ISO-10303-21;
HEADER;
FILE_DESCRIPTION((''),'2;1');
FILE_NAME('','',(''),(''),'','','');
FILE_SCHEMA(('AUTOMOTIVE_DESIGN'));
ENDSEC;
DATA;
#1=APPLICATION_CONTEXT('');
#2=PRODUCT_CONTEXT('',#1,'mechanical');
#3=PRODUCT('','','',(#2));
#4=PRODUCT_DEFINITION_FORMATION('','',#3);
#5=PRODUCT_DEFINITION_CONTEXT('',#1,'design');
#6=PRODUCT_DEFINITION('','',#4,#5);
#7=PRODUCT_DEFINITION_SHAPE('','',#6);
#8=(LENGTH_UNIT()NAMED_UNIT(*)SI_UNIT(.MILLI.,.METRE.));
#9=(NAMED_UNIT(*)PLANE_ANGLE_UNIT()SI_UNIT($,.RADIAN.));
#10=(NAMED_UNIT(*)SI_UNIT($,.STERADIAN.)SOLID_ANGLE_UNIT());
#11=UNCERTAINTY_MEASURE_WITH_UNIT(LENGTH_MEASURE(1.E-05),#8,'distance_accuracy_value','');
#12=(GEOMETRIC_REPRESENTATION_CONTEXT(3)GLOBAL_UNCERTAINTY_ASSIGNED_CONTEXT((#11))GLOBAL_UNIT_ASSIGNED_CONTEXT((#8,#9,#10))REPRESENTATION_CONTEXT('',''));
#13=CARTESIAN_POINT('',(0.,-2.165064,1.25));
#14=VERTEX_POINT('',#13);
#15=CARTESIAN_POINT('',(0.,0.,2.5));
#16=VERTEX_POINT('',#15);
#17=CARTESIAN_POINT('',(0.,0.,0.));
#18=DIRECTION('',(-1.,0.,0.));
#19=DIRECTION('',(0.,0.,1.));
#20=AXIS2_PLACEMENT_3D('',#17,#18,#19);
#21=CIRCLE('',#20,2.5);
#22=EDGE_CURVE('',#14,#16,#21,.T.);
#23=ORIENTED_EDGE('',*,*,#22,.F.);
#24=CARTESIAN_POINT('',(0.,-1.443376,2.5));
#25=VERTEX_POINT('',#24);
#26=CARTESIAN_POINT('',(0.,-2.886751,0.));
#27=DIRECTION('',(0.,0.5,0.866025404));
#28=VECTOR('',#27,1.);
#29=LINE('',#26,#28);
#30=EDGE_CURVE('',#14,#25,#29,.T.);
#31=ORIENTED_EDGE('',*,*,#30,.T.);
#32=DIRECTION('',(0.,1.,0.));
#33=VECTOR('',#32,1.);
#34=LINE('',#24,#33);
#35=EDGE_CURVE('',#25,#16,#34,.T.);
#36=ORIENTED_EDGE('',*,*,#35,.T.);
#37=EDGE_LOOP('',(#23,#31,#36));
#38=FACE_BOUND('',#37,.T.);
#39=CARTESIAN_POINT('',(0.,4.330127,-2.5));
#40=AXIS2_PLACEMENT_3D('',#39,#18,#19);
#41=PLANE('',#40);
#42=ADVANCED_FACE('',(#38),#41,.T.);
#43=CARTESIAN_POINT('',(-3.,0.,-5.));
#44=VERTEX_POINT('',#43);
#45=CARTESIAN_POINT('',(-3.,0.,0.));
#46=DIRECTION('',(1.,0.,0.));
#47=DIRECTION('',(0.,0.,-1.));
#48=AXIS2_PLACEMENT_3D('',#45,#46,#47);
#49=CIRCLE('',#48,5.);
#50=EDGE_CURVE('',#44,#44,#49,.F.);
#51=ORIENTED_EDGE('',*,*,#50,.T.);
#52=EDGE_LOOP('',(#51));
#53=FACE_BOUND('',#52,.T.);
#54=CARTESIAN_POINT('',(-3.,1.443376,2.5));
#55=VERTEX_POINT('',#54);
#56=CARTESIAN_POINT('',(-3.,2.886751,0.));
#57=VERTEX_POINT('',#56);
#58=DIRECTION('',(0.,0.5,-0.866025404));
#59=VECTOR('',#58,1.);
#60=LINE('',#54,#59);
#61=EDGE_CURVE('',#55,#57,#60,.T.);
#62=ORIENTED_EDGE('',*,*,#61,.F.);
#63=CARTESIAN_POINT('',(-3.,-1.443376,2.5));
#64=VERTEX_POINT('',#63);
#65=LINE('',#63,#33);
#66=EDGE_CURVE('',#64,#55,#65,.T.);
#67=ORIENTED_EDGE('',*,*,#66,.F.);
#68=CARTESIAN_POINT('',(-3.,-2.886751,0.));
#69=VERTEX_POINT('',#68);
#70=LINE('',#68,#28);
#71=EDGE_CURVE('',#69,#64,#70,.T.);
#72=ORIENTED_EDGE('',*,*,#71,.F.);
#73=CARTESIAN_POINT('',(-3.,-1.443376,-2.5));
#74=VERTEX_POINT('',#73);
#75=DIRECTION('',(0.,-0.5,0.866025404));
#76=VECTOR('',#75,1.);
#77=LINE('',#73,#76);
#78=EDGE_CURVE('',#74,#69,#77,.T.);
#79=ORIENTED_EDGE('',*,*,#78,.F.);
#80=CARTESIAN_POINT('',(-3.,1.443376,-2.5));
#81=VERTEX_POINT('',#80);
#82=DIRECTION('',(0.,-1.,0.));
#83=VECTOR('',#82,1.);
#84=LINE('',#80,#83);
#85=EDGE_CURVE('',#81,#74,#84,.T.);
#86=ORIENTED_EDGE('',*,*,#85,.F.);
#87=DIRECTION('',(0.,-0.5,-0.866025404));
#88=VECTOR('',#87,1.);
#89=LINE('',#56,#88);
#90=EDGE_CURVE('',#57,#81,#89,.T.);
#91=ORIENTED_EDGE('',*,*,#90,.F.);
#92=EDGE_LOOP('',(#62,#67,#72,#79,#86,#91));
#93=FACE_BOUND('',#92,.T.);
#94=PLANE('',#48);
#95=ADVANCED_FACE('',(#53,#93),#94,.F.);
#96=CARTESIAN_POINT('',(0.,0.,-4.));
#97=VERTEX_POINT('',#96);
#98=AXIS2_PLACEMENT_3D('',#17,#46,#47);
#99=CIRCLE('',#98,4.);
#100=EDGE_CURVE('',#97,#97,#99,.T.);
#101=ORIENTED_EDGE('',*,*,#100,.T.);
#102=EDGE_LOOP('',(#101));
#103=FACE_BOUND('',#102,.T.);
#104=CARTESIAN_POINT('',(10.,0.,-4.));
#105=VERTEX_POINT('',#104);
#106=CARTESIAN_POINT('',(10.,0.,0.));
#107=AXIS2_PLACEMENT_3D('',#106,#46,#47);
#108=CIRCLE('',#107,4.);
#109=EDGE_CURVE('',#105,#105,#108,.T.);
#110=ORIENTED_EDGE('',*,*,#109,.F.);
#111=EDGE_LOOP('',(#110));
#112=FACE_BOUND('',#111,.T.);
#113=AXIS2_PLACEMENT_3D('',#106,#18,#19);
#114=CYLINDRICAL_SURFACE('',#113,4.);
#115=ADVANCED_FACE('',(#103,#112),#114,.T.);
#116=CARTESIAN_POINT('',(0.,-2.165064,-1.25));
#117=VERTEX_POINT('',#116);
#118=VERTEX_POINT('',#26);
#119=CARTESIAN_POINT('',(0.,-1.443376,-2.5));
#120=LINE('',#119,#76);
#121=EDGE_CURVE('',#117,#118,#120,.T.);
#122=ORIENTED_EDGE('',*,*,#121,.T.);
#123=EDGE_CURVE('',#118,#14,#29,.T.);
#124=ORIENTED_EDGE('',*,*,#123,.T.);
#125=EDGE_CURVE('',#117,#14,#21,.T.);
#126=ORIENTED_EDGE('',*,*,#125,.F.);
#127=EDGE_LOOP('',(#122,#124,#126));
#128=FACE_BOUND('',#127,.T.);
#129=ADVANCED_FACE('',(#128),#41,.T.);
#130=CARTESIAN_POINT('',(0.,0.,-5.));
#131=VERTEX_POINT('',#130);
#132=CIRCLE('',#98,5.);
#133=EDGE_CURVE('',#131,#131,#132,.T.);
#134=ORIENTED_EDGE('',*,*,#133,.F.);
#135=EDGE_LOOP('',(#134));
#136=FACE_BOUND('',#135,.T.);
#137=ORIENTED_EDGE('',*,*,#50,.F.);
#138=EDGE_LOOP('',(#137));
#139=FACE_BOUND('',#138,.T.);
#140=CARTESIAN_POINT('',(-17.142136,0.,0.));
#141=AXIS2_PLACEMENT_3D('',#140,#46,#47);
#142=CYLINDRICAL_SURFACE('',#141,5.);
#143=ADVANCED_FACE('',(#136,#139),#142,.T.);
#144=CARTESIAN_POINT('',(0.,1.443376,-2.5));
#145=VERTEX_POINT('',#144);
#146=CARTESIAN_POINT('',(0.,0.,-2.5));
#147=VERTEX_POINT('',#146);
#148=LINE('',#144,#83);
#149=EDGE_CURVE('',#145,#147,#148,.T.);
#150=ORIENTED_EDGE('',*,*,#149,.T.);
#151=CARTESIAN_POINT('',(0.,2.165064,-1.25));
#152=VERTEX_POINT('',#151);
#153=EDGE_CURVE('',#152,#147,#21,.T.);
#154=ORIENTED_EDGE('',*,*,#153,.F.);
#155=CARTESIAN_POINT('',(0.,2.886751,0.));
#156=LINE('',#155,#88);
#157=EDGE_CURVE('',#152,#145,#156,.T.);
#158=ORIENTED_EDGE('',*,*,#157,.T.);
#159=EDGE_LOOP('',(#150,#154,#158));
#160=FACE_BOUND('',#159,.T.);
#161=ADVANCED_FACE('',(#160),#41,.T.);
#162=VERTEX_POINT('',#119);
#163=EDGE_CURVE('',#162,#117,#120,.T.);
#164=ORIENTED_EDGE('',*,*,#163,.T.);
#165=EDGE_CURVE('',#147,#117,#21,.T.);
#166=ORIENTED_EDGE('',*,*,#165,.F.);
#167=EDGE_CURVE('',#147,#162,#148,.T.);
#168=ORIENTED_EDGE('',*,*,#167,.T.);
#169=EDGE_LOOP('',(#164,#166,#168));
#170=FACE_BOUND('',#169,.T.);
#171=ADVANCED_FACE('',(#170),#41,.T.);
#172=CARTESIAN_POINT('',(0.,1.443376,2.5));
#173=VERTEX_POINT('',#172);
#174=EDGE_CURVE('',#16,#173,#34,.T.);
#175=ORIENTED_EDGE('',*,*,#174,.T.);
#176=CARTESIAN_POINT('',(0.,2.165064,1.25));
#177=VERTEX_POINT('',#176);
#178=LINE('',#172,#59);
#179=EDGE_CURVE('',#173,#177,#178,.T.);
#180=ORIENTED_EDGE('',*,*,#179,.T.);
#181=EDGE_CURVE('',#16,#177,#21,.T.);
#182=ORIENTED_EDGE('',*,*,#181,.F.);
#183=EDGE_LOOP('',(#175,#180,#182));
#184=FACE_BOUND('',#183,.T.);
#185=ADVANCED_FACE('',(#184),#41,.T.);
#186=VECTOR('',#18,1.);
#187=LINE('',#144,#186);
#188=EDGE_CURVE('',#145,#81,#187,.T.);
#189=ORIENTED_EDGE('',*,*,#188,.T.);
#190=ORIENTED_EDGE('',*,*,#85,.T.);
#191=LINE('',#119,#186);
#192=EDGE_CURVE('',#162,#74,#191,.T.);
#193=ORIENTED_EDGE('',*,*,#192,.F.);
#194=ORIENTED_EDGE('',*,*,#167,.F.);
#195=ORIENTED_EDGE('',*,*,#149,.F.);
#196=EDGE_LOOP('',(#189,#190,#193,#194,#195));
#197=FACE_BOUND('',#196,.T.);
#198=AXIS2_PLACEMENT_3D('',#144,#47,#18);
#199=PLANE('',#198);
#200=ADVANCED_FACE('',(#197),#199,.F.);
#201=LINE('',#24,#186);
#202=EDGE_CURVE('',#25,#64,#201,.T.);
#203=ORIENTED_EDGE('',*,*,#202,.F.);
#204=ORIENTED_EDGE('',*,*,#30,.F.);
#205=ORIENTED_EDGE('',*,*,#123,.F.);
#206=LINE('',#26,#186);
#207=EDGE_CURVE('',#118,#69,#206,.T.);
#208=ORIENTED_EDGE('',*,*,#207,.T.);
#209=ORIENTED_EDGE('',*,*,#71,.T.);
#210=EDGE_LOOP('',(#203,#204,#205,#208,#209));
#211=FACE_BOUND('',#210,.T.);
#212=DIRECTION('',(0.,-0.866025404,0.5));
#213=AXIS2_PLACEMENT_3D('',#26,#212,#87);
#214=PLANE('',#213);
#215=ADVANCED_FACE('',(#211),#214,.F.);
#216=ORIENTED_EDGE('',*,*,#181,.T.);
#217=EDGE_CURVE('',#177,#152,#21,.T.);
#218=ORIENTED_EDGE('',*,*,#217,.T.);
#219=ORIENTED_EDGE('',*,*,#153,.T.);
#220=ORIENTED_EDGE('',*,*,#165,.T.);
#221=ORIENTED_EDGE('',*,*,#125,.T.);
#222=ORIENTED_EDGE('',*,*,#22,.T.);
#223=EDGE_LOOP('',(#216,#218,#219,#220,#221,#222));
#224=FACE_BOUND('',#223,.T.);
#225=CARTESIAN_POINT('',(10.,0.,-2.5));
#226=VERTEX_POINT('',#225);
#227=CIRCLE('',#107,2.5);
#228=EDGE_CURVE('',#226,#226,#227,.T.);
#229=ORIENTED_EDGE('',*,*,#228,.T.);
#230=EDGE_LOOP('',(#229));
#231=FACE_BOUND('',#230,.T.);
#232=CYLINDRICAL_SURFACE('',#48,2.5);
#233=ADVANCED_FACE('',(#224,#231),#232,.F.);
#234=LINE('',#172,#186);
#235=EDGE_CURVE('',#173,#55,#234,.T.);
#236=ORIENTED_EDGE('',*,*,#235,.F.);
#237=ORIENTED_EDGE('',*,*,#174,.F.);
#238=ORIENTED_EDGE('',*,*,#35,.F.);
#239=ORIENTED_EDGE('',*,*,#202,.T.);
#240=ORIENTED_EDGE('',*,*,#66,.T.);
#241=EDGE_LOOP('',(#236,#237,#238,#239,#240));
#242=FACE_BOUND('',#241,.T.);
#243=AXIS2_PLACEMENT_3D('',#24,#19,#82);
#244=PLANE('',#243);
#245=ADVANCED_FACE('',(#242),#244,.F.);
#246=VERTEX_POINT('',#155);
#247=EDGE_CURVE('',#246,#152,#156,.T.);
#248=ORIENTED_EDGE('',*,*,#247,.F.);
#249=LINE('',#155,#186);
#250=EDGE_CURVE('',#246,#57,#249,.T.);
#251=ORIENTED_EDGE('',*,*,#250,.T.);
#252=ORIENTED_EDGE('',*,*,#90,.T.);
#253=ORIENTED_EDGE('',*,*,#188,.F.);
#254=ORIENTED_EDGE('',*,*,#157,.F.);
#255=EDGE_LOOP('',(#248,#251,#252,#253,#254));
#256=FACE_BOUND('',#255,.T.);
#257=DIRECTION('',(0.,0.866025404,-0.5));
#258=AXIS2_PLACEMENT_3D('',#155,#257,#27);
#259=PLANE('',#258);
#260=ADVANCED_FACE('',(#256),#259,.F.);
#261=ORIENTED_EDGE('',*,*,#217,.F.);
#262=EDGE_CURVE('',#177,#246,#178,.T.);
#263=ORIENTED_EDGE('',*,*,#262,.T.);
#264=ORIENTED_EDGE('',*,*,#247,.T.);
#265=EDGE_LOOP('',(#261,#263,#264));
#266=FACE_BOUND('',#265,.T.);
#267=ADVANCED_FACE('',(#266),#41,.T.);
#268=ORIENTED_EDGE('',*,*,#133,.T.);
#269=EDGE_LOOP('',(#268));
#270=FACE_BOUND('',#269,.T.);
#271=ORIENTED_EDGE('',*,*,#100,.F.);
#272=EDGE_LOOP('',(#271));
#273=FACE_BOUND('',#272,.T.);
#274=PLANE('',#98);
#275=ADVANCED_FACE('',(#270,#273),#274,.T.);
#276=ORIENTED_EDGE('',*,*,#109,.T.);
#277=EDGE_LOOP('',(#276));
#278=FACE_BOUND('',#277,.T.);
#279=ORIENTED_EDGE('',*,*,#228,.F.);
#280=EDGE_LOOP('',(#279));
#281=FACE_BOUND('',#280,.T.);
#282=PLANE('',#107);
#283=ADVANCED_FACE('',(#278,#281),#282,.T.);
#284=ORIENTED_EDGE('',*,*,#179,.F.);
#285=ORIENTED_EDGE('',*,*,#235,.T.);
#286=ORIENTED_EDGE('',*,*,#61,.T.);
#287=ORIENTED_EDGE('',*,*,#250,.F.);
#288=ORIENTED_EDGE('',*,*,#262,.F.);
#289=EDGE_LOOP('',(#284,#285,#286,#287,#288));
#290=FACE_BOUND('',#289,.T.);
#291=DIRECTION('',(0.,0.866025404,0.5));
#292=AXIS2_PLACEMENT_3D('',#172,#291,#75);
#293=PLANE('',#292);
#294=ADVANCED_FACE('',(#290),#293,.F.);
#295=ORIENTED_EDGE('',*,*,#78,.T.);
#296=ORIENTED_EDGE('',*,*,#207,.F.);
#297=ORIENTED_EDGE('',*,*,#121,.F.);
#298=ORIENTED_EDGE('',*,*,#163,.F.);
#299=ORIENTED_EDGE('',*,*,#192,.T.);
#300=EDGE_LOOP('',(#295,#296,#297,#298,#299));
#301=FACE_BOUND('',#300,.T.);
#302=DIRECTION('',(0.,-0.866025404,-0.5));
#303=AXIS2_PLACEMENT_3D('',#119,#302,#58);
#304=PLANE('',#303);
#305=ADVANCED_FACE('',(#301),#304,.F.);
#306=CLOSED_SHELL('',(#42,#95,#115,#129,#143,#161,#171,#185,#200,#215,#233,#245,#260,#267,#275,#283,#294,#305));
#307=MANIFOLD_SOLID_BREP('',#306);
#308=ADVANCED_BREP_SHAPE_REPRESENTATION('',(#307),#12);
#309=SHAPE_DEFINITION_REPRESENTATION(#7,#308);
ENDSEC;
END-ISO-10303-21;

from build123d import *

# Parameters (mm, degrees)
ESQUISSE1_R             = 4
EXTRUSION1_DEPTH        = 10
EXTRUSION1_DEPTH_BACK   = 3
ESQUISSE2_R             = 5
EXTRUSION2_DEPTH        = 3
ENL_V_MAT_EXTRU_1_DEPTH = 3
ESQUISSE4_R             = 2.5
ENL_V_MAT_EXTRU_2_DEPTH = 14


with BuildPart() as part:
    # Esquisse1 → Extrusion1 (new body, two sides)
    with BuildSketch(Plane(origin=(0, 0, 0), x_dir=(0, 0, -1), z_dir=(1, 0, 0))) as extrusion1_sk:
        Circle(ESQUISSE1_R)
    extrude(amount=EXTRUSION1_DEPTH)
    extrude(extrusion1_sk.sketch, amount=-EXTRUSION1_DEPTH_BACK)

    # Esquisse2 → Extrusion2 (add)
    with BuildSketch(Plane(origin=(0, 0, 0), x_dir=(0, 0, -1), z_dir=(1, 0, 0))):
        Circle(ESQUISSE2_R)
    extrude(amount=-EXTRUSION2_DEPTH)

    # Esquisse3 → Enlèv. mat.-Extru.1 (cut)
    with BuildSketch(Plane.ZY.offset(3)):
        Polygon((0, 2.886751346), (-2.5, 1.443375673), (-2.5, -1.443375673), (0, -2.886751346), (2.5, -1.443375673), (2.5, 1.443375673), align=None)
    extrude(amount=-ENL_V_MAT_EXTRU_1_DEPTH, mode=Mode.SUBTRACT)

    # Esquisse4 → Enlèv. mat.-Extru.2 (cut, through all)
    with BuildSketch(Plane(origin=(10, 0, 0), x_dir=(0, 0, -1), z_dir=(1, 0, 0))):
        Circle(ESQUISSE4_R)
    extrude(amount=-ENL_V_MAT_EXTRU_2_DEPTH, mode=Mode.SUBTRACT)


solid = part.part
